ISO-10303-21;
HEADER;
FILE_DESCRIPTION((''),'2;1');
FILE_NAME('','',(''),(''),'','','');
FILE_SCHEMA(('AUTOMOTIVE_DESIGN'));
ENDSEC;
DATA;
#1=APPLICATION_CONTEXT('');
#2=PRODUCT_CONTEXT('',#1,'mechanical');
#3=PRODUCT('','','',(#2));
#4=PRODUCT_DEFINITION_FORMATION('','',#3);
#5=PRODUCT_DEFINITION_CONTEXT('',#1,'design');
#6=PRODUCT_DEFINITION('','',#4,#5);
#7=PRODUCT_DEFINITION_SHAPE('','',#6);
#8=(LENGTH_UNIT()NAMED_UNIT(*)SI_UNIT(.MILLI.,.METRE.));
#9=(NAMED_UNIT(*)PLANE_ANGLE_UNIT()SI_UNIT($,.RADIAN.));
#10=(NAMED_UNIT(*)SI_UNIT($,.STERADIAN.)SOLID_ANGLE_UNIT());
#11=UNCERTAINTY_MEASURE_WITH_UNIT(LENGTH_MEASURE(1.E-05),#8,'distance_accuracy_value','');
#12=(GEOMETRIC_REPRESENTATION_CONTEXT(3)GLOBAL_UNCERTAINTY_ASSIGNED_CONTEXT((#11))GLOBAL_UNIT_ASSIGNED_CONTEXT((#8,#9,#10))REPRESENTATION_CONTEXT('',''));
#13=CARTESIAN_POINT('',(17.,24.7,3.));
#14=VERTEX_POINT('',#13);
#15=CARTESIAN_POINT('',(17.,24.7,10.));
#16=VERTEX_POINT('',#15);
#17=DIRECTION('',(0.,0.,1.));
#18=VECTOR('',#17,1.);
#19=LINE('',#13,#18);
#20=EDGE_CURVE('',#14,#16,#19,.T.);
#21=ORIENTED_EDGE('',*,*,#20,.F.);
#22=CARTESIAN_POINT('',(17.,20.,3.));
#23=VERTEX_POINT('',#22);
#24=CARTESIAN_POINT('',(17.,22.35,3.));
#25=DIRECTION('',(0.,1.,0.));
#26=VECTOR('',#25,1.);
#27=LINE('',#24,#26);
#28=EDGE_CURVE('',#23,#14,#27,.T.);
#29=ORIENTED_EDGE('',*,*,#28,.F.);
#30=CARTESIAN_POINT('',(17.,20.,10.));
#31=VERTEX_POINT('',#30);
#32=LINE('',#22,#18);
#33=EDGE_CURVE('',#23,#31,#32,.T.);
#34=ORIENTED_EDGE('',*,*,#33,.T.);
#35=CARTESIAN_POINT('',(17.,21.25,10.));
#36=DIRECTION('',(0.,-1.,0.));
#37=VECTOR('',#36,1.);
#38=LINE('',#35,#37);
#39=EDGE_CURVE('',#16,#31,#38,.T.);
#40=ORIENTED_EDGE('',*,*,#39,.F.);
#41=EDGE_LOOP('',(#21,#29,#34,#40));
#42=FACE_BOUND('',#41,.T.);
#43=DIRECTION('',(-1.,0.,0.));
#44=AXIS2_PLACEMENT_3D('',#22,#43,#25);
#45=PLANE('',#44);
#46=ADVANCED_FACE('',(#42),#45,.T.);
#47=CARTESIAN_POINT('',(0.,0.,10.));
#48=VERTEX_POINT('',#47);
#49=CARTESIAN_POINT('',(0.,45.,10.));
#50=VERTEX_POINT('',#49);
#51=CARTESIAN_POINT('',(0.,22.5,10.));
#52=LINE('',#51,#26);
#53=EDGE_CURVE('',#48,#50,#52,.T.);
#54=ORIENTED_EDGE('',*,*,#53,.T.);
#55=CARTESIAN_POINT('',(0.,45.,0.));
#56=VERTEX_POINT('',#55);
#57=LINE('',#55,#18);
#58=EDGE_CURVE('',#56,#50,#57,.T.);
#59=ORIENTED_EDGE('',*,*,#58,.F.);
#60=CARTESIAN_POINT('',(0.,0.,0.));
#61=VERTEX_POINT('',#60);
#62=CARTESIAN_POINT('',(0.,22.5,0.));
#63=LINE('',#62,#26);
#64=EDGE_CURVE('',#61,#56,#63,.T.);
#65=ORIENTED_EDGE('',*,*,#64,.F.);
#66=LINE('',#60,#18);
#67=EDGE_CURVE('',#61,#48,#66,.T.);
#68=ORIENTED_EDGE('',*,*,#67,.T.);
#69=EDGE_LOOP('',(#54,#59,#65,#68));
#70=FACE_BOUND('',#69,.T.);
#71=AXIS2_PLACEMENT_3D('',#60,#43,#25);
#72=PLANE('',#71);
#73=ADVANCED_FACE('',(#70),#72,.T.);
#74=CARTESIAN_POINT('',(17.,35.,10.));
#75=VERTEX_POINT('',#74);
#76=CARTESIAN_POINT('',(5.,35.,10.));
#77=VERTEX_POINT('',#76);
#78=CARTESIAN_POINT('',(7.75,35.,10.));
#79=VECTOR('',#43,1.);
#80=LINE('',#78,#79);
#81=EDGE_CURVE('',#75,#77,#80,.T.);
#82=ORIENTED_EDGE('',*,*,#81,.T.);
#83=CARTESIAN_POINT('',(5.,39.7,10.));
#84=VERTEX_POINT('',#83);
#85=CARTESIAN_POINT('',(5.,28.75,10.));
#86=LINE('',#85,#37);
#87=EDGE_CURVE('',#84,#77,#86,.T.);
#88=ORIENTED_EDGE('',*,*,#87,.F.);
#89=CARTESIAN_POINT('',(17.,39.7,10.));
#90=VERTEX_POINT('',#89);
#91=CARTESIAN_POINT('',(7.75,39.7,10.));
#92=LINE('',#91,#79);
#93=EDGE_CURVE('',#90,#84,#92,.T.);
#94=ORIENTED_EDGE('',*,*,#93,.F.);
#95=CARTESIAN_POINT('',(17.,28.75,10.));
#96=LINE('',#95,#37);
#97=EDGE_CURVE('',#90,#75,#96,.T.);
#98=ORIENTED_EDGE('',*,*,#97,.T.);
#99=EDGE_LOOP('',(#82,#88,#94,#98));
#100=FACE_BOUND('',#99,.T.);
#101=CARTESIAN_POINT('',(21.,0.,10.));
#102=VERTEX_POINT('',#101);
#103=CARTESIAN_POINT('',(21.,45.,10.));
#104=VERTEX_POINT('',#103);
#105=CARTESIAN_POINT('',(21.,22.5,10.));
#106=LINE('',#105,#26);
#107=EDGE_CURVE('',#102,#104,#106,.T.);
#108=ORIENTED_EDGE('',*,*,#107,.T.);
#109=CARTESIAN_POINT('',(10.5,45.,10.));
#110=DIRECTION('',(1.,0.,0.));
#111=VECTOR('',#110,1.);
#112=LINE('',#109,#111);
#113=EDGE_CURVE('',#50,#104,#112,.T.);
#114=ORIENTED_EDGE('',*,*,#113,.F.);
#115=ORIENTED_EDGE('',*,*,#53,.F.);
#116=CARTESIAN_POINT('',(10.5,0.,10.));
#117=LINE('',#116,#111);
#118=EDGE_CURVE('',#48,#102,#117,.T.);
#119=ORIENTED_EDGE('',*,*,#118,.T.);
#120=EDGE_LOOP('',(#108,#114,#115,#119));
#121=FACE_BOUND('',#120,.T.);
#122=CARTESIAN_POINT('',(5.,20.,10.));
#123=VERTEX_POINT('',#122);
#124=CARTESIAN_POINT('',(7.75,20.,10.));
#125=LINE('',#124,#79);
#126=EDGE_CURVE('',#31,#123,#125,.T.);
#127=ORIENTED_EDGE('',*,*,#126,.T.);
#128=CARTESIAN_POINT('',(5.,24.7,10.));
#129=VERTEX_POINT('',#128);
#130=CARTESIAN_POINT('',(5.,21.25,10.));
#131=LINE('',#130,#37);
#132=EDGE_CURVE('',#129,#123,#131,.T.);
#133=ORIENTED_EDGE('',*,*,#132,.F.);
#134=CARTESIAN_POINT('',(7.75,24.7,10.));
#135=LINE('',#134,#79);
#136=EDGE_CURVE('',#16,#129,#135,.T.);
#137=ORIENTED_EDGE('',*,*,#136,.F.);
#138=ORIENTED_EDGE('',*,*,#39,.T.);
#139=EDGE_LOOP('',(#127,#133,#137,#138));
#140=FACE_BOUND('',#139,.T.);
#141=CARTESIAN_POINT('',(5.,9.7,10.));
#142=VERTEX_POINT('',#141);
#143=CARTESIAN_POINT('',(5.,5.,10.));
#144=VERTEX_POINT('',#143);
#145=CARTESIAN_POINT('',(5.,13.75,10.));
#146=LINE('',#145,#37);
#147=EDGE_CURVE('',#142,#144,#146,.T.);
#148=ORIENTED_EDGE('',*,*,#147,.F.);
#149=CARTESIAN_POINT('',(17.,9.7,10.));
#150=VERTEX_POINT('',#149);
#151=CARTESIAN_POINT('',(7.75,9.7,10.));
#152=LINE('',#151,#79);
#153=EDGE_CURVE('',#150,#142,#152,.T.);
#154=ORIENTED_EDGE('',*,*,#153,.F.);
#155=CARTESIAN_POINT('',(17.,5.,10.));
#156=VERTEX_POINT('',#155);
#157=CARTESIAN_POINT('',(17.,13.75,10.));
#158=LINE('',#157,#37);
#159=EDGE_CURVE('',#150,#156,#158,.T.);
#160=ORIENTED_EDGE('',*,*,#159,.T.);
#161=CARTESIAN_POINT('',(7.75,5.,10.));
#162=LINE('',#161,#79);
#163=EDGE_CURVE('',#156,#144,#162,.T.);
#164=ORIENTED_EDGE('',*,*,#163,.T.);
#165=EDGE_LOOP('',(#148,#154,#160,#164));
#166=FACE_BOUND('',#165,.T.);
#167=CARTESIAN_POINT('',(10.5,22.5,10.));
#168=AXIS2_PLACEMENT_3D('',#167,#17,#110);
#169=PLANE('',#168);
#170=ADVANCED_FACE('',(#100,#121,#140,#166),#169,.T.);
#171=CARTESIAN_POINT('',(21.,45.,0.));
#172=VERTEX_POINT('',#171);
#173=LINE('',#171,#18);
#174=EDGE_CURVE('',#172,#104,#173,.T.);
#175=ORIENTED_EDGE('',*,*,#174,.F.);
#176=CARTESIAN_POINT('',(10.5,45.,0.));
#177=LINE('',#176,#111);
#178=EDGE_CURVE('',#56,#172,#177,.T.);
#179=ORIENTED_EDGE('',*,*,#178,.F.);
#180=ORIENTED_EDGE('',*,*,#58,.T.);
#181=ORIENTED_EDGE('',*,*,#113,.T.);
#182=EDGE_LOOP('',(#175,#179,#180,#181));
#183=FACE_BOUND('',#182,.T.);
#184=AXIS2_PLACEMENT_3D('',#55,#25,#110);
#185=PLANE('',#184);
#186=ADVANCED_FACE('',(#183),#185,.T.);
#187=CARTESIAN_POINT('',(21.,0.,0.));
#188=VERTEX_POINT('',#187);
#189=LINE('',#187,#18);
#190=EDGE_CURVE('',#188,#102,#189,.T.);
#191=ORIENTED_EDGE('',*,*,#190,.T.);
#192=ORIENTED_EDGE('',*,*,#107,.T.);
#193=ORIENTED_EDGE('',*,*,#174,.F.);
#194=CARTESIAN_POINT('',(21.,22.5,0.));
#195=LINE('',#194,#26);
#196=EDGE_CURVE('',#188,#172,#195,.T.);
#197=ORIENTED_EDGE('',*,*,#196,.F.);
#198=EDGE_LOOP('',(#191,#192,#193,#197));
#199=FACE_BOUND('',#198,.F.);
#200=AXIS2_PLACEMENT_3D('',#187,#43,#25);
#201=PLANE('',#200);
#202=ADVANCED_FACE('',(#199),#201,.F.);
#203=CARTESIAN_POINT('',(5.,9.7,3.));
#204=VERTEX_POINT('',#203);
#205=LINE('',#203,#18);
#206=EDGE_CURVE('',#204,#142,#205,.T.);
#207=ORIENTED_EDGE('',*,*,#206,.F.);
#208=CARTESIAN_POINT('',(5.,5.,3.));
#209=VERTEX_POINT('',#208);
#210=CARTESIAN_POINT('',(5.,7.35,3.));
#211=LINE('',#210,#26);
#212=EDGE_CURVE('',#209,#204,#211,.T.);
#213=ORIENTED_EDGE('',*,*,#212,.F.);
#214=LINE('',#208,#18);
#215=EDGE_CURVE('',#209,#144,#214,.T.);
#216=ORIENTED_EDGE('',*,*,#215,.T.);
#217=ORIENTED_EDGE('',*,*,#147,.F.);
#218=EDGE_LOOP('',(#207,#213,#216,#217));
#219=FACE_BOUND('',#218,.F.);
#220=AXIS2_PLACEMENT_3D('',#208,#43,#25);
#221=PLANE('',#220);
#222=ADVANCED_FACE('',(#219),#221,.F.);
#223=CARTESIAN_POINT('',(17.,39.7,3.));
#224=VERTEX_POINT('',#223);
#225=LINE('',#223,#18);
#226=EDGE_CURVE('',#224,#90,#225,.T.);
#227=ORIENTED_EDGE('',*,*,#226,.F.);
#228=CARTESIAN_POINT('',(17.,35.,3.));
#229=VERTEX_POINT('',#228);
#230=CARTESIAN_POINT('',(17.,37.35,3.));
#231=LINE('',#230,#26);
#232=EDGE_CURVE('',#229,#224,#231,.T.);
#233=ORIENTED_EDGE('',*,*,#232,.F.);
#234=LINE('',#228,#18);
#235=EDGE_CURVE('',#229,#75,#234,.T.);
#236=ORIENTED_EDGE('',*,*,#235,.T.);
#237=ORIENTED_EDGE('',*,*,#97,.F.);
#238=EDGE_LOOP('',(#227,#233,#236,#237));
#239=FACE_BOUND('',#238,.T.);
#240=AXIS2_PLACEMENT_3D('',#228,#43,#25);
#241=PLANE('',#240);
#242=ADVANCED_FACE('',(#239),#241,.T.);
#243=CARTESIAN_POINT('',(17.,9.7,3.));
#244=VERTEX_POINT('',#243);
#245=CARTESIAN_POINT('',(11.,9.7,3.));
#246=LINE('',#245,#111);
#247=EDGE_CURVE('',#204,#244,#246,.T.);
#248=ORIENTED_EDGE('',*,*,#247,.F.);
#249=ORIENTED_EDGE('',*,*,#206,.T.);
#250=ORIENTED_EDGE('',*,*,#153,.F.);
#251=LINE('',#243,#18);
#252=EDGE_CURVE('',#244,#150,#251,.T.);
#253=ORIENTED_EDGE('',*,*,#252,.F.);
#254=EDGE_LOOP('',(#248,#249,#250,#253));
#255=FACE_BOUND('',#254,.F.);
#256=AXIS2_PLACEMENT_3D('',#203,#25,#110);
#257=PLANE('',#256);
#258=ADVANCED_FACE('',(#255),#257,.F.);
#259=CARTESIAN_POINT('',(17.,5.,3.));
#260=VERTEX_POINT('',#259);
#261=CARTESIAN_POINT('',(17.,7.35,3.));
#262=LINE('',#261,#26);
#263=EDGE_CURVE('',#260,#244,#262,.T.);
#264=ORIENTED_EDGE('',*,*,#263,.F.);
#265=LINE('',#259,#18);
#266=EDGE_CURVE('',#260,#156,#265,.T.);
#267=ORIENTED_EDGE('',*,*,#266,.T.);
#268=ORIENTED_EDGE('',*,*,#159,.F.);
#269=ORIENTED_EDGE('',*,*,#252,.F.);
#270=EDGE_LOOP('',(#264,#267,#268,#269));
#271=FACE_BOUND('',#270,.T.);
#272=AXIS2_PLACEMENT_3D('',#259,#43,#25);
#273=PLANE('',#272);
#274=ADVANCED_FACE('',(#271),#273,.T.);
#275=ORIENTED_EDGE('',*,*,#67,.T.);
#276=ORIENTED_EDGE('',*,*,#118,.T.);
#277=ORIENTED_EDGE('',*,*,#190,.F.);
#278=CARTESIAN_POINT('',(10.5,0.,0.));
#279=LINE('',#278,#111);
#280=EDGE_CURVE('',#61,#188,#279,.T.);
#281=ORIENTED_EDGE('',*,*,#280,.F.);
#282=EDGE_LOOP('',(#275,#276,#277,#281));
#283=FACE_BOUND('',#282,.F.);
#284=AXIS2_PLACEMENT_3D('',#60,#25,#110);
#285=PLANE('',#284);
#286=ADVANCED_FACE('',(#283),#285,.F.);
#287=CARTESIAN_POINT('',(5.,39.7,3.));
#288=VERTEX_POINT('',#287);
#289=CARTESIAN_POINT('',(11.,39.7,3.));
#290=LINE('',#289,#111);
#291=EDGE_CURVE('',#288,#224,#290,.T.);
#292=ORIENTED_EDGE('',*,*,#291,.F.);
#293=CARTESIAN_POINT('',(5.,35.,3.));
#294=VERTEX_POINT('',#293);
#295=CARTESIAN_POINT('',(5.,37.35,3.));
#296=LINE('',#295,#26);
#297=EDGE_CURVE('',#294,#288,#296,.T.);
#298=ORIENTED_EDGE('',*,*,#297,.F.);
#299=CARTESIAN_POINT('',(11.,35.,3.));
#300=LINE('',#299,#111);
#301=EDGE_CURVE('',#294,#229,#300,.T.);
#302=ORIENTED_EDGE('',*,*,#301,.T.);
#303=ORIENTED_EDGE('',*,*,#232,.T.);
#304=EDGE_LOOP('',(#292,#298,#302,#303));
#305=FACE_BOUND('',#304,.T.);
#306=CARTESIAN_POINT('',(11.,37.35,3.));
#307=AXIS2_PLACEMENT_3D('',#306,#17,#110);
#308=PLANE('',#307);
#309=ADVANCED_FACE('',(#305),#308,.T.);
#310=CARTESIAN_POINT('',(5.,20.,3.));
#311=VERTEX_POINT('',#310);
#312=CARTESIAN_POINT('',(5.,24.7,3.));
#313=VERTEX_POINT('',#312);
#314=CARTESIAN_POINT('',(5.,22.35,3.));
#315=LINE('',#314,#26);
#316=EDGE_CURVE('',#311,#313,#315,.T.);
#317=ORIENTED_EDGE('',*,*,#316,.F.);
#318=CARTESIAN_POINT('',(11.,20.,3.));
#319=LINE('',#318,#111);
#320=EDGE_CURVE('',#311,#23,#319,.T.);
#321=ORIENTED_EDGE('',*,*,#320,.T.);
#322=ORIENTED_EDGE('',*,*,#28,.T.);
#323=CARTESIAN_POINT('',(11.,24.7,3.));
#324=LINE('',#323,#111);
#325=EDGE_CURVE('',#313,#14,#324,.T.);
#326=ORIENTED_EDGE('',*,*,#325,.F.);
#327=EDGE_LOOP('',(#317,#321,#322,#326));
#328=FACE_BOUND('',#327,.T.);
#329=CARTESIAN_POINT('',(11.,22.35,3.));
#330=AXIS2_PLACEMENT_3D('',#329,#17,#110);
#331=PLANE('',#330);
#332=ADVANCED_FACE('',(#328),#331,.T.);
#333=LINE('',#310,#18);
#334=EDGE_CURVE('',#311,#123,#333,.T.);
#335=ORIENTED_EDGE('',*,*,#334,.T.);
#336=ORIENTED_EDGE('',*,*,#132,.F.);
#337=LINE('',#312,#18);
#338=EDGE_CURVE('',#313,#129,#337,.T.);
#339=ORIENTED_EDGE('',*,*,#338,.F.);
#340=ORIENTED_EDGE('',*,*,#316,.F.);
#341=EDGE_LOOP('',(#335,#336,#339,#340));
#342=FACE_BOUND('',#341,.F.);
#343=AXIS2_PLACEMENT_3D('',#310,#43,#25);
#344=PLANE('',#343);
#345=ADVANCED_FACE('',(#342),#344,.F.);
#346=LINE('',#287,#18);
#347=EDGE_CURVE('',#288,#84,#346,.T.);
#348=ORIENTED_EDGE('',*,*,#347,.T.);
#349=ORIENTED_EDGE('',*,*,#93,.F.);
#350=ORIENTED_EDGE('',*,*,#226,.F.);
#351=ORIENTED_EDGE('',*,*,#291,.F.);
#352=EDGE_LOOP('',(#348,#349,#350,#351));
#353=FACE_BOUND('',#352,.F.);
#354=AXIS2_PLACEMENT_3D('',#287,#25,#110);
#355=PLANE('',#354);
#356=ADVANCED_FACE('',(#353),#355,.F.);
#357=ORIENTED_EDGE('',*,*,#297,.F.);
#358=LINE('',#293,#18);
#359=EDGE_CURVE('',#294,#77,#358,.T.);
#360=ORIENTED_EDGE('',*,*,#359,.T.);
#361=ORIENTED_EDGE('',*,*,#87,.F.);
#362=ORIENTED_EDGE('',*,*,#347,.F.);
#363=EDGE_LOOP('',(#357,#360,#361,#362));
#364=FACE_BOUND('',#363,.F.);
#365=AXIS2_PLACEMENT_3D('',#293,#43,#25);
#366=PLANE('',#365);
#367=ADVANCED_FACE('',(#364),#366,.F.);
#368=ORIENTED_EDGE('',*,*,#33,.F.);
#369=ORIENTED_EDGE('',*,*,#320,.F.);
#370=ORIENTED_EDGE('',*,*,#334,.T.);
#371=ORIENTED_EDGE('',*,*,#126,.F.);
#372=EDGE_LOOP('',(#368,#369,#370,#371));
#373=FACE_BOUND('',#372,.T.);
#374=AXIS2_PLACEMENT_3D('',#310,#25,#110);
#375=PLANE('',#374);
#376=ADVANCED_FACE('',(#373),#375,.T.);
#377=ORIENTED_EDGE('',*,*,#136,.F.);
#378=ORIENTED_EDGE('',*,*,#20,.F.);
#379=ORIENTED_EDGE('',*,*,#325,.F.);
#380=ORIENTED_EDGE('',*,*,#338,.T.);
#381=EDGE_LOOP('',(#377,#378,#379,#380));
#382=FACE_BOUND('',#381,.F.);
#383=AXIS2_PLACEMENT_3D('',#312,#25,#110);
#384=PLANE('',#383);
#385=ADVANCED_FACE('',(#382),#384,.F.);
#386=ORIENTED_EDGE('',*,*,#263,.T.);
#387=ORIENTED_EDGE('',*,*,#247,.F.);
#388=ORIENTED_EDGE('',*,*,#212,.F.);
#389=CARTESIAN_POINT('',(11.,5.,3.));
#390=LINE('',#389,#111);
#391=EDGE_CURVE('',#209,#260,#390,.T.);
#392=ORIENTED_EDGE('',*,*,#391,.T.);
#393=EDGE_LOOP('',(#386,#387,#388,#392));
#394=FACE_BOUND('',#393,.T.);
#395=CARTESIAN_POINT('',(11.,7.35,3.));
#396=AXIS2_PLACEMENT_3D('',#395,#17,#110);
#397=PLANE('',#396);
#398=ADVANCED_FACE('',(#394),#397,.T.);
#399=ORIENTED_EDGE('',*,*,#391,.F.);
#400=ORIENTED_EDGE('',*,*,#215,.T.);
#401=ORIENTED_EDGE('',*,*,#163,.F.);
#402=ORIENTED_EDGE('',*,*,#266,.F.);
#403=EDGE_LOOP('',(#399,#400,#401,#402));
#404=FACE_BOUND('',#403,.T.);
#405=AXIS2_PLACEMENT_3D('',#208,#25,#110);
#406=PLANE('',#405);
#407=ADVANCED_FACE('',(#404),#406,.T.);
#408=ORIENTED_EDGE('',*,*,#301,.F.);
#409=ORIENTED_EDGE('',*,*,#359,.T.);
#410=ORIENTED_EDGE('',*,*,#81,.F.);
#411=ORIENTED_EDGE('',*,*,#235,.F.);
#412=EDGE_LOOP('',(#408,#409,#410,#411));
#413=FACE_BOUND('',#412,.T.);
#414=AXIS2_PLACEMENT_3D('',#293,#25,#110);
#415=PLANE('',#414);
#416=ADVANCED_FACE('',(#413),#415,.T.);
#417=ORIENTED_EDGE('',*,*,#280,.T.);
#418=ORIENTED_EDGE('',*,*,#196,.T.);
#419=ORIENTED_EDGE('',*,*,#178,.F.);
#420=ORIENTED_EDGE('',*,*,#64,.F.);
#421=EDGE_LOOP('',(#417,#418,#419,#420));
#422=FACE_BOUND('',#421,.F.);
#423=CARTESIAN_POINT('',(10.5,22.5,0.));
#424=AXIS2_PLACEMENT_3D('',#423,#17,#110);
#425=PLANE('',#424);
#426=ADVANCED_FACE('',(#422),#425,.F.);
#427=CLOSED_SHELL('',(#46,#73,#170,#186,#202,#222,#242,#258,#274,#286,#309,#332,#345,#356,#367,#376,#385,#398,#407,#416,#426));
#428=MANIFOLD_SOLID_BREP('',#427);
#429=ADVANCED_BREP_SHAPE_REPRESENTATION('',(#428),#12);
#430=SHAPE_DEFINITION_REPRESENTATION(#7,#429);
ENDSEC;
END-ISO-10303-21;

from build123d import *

# Parameters (mm, degrees)
BOX001_W     = 12
BOX001_H     = 4.7
BOX001_DEPTH = 11
BOX002_W     = 12
BOX002_H     = 4.7
BOX002_DEPTH = 11
BOX_W        = 12
BOX_H        = 4.7
BOX_DEPTH    = 11
BOX003_W     = 21
BOX003_H     = 45
BOX003_DEPTH = 10


with BuildPart() as box001:
    # Box001 → Box001 (new body)
    with BuildSketch(Plane(origin=(0, 15, 0), x_dir=(1, 0, 0), z_dir=(0, 0, 1))):
        with Locations((6, 2.35)):
            Rectangle(BOX001_W, BOX001_H)
    extrude(amount=BOX001_DEPTH)


with BuildPart() as box002:
    # Box002 → Box002 (new body)
    with BuildSketch(Plane(origin=(0, 30, 0), x_dir=(1, 0, 0), z_dir=(0, 0, 1))):
        with Locations((6, 2.35)):
            Rectangle(BOX002_W, BOX002_H)
    extrude(amount=BOX002_DEPTH)


with BuildPart() as ranuras:
    # Box → Box (new body)
    with BuildSketch(Plane.XY):
        with Locations((6, 2.35)):
            Rectangle(BOX_W, BOX_H)
    extrude(amount=BOX_DEPTH)

    # Fusion: union Box001, Box002
    add(box001.part)
    add(box002.part)


with BuildPart() as ranuras_1:
    # Fusion placement: moved
    add(ranuras.part.moved(Location((5, 5, 3))))


with BuildPart() as porta_pendrives:
    # Box003 → Box003 (new body)
    with BuildSketch(Plane.XY):
        with Locations((10.5, 22.5)):
            Rectangle(BOX003_W, BOX003_H)
    extrude(amount=BOX003_DEPTH)

    # Cut: cut Ranuras
    add(ranuras_1.part, mode=Mode.SUBTRACT)


solid = porta_pendrives.part
